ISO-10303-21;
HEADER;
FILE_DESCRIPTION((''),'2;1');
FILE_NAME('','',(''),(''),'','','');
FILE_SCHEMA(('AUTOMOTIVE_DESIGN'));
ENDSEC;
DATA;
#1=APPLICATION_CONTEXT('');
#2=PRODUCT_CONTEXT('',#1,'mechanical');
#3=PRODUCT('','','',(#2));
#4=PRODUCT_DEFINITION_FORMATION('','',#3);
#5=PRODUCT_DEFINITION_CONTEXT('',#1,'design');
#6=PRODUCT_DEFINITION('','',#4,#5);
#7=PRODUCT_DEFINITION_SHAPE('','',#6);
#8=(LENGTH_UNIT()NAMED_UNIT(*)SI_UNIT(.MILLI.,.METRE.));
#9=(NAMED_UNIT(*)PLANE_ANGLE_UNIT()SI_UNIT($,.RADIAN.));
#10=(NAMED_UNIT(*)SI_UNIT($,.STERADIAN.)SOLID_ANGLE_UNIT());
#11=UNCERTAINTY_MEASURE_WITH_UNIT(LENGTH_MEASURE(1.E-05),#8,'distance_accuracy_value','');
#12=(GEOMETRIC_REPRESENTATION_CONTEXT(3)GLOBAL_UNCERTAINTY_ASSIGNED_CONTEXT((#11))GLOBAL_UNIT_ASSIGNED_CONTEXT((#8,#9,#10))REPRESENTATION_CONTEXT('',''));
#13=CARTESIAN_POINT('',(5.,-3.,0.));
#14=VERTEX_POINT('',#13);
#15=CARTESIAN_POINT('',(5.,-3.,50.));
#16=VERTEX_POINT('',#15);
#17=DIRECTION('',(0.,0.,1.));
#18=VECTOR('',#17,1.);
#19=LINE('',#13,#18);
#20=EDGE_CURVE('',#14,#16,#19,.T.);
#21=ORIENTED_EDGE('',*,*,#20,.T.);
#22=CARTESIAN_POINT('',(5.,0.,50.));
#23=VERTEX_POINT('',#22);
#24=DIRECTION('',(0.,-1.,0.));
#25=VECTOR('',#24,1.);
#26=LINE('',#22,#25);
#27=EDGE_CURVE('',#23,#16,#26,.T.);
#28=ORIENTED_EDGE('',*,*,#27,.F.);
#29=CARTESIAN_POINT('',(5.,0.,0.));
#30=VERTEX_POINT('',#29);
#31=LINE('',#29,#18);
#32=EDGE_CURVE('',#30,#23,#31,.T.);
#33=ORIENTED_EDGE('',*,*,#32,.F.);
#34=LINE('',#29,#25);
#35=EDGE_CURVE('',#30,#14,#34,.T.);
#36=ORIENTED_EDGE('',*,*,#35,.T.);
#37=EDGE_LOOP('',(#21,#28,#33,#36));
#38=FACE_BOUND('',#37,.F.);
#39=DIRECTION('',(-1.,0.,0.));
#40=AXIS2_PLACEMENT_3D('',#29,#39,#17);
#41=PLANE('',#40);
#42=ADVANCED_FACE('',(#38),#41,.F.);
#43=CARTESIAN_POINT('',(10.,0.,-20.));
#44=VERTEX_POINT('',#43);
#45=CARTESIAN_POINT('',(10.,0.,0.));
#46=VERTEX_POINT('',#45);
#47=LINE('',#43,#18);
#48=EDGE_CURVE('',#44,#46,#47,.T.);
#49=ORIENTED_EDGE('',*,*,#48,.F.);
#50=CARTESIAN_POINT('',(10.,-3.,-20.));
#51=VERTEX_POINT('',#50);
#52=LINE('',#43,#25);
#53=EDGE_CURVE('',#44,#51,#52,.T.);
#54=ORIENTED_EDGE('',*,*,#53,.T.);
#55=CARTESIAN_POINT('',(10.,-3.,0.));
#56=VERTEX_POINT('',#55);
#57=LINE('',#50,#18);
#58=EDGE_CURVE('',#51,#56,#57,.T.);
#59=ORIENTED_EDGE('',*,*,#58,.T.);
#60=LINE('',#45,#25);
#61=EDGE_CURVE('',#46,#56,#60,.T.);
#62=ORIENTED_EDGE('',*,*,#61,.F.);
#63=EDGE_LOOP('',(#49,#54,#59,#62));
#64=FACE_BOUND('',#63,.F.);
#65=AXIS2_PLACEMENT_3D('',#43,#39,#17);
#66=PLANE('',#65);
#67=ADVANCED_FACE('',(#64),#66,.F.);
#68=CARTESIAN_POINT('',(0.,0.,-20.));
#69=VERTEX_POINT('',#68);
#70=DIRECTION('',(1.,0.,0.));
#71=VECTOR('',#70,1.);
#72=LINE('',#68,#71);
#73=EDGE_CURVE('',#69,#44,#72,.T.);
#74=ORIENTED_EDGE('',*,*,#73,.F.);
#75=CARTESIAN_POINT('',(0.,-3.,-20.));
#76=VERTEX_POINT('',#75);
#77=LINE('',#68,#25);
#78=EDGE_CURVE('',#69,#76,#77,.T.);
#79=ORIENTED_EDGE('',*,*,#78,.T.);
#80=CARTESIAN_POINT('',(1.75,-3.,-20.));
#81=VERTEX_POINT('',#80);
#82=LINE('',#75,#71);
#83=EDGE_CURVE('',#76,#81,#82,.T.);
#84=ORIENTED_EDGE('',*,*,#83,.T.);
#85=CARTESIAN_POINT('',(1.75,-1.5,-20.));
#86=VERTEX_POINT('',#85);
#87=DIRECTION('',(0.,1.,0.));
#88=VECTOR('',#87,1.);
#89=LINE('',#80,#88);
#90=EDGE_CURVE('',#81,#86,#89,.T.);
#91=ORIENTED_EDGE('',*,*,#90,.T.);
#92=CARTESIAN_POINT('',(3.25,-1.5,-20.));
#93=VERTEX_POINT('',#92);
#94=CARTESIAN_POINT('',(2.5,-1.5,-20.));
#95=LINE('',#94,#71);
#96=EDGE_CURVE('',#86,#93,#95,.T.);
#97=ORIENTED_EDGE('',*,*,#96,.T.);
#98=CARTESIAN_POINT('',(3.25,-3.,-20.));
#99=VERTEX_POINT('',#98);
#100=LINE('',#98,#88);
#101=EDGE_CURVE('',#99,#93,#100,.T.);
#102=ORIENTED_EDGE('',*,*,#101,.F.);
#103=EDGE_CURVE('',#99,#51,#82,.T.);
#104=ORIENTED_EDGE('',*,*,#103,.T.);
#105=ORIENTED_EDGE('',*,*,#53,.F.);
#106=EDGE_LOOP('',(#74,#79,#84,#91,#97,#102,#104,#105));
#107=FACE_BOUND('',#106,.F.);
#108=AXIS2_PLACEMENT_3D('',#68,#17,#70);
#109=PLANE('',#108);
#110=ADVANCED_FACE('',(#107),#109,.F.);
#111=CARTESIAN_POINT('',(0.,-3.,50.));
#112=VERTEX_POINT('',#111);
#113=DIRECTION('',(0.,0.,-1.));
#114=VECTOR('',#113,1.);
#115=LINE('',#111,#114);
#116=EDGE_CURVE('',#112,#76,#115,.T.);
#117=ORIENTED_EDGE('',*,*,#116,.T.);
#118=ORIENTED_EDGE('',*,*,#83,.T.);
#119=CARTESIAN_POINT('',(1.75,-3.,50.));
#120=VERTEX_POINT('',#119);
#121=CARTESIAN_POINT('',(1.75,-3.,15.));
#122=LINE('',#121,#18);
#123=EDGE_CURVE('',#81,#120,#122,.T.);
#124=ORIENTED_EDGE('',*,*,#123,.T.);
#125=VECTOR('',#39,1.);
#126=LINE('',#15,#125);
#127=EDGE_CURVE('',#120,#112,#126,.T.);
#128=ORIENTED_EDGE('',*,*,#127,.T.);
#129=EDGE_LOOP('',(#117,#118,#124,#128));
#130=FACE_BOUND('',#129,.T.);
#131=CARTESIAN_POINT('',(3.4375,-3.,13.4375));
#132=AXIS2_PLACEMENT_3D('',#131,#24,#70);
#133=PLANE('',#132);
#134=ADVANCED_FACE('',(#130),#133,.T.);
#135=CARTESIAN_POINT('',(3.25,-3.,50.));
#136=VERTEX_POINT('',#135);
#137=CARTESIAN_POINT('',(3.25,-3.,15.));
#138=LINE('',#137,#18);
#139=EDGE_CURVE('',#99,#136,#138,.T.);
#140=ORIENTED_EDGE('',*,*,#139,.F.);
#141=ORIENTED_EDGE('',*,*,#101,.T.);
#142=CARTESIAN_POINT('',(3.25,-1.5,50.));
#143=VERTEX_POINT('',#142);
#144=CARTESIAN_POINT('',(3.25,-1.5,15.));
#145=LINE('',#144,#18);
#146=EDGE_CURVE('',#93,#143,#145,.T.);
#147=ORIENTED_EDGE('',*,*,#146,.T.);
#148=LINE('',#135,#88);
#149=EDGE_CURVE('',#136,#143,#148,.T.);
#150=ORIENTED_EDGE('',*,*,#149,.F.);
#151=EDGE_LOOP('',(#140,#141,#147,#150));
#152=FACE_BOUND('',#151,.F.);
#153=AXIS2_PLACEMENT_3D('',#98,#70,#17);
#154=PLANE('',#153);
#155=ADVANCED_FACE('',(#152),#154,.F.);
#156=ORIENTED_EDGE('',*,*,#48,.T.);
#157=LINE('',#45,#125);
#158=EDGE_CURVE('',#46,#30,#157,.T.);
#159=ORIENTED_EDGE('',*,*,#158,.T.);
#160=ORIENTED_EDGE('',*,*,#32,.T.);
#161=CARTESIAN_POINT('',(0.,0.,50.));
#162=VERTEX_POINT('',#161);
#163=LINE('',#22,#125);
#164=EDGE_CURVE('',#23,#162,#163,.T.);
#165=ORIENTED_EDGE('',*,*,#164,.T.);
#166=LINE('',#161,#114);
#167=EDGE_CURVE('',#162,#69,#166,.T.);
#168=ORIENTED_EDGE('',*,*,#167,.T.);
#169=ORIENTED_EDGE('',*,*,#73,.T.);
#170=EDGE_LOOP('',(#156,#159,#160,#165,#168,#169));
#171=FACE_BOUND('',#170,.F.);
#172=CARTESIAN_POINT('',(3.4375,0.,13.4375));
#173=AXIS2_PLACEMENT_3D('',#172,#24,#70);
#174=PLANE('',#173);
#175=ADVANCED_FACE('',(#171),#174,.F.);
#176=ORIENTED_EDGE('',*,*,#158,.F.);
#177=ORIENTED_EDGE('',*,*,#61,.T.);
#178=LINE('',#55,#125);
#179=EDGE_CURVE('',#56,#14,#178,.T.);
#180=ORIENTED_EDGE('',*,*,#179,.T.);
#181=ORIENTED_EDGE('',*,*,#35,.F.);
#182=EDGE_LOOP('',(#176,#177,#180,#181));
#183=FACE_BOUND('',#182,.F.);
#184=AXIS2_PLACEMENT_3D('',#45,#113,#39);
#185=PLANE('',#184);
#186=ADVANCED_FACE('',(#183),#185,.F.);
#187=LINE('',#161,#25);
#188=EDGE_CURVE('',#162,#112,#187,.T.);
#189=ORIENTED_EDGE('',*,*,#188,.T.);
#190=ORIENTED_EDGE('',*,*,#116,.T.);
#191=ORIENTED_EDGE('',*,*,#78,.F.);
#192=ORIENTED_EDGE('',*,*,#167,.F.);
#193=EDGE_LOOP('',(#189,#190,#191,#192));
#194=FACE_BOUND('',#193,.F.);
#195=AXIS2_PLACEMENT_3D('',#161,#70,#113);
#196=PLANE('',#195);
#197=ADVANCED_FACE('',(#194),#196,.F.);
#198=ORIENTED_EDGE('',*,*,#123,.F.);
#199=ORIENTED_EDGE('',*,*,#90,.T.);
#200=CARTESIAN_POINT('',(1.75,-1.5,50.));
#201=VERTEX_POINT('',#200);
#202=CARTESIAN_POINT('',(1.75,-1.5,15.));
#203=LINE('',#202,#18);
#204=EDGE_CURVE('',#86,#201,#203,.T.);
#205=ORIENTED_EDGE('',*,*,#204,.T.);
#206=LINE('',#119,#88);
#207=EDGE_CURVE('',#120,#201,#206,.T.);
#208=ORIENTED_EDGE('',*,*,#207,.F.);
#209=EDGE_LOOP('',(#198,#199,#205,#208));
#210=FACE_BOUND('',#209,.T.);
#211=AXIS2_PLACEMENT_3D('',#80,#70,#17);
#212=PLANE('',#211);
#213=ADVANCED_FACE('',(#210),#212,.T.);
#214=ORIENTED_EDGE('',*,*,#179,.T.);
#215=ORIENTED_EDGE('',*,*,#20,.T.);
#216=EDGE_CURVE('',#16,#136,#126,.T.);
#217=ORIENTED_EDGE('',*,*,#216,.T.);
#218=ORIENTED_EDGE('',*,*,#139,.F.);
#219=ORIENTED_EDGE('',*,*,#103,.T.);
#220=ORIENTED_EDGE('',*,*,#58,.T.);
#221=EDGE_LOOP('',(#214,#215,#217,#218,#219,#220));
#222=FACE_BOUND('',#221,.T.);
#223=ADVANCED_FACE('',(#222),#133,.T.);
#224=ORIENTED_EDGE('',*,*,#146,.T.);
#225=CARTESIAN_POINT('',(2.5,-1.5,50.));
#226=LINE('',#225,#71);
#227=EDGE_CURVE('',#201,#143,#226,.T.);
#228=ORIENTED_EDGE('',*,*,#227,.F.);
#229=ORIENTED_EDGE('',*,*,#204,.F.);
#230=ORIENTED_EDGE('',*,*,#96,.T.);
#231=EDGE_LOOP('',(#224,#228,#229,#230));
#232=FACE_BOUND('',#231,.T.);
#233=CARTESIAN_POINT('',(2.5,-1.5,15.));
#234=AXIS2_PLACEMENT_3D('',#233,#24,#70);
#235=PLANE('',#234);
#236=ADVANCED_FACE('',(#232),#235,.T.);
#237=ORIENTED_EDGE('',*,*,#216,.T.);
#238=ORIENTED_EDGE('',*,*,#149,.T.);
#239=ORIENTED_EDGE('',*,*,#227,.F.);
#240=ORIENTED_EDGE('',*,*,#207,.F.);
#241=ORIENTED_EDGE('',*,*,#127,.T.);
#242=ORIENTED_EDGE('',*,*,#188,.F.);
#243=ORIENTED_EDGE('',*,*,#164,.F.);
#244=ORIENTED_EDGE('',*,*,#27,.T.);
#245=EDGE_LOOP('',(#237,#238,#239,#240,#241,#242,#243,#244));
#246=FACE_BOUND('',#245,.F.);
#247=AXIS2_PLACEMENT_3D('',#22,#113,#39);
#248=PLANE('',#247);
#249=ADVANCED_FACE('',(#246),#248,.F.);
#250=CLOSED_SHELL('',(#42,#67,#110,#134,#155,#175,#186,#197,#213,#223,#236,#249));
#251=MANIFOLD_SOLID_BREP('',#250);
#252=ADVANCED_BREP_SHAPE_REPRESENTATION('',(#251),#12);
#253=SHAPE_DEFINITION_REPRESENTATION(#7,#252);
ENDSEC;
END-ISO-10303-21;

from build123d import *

# Parameters (mm, degrees)
F1_DEPTH = 3
F2_W     = 1.5
F2_H     = 70
F3_DEPTH = 1.5


with BuildPart() as f1:
    # F0 (on Front) → F1 (new body)
    with BuildSketch(Plane.XZ):
        Polygon((10, 0), (5, 0), (5, 50), (0, 50), (0, 0), (0, -20), (10, -20), align=None)
    extrude(amount=F1_DEPTH)

    # F2 (on face) → F3 (cut)
    with BuildSketch(Plane.XZ.offset(3)):
        with Locations((2.5, 15)):
            Rectangle(F2_W, F2_H)
    extrude(amount=-F3_DEPTH, mode=Mode.SUBTRACT)


solid = f1.part
